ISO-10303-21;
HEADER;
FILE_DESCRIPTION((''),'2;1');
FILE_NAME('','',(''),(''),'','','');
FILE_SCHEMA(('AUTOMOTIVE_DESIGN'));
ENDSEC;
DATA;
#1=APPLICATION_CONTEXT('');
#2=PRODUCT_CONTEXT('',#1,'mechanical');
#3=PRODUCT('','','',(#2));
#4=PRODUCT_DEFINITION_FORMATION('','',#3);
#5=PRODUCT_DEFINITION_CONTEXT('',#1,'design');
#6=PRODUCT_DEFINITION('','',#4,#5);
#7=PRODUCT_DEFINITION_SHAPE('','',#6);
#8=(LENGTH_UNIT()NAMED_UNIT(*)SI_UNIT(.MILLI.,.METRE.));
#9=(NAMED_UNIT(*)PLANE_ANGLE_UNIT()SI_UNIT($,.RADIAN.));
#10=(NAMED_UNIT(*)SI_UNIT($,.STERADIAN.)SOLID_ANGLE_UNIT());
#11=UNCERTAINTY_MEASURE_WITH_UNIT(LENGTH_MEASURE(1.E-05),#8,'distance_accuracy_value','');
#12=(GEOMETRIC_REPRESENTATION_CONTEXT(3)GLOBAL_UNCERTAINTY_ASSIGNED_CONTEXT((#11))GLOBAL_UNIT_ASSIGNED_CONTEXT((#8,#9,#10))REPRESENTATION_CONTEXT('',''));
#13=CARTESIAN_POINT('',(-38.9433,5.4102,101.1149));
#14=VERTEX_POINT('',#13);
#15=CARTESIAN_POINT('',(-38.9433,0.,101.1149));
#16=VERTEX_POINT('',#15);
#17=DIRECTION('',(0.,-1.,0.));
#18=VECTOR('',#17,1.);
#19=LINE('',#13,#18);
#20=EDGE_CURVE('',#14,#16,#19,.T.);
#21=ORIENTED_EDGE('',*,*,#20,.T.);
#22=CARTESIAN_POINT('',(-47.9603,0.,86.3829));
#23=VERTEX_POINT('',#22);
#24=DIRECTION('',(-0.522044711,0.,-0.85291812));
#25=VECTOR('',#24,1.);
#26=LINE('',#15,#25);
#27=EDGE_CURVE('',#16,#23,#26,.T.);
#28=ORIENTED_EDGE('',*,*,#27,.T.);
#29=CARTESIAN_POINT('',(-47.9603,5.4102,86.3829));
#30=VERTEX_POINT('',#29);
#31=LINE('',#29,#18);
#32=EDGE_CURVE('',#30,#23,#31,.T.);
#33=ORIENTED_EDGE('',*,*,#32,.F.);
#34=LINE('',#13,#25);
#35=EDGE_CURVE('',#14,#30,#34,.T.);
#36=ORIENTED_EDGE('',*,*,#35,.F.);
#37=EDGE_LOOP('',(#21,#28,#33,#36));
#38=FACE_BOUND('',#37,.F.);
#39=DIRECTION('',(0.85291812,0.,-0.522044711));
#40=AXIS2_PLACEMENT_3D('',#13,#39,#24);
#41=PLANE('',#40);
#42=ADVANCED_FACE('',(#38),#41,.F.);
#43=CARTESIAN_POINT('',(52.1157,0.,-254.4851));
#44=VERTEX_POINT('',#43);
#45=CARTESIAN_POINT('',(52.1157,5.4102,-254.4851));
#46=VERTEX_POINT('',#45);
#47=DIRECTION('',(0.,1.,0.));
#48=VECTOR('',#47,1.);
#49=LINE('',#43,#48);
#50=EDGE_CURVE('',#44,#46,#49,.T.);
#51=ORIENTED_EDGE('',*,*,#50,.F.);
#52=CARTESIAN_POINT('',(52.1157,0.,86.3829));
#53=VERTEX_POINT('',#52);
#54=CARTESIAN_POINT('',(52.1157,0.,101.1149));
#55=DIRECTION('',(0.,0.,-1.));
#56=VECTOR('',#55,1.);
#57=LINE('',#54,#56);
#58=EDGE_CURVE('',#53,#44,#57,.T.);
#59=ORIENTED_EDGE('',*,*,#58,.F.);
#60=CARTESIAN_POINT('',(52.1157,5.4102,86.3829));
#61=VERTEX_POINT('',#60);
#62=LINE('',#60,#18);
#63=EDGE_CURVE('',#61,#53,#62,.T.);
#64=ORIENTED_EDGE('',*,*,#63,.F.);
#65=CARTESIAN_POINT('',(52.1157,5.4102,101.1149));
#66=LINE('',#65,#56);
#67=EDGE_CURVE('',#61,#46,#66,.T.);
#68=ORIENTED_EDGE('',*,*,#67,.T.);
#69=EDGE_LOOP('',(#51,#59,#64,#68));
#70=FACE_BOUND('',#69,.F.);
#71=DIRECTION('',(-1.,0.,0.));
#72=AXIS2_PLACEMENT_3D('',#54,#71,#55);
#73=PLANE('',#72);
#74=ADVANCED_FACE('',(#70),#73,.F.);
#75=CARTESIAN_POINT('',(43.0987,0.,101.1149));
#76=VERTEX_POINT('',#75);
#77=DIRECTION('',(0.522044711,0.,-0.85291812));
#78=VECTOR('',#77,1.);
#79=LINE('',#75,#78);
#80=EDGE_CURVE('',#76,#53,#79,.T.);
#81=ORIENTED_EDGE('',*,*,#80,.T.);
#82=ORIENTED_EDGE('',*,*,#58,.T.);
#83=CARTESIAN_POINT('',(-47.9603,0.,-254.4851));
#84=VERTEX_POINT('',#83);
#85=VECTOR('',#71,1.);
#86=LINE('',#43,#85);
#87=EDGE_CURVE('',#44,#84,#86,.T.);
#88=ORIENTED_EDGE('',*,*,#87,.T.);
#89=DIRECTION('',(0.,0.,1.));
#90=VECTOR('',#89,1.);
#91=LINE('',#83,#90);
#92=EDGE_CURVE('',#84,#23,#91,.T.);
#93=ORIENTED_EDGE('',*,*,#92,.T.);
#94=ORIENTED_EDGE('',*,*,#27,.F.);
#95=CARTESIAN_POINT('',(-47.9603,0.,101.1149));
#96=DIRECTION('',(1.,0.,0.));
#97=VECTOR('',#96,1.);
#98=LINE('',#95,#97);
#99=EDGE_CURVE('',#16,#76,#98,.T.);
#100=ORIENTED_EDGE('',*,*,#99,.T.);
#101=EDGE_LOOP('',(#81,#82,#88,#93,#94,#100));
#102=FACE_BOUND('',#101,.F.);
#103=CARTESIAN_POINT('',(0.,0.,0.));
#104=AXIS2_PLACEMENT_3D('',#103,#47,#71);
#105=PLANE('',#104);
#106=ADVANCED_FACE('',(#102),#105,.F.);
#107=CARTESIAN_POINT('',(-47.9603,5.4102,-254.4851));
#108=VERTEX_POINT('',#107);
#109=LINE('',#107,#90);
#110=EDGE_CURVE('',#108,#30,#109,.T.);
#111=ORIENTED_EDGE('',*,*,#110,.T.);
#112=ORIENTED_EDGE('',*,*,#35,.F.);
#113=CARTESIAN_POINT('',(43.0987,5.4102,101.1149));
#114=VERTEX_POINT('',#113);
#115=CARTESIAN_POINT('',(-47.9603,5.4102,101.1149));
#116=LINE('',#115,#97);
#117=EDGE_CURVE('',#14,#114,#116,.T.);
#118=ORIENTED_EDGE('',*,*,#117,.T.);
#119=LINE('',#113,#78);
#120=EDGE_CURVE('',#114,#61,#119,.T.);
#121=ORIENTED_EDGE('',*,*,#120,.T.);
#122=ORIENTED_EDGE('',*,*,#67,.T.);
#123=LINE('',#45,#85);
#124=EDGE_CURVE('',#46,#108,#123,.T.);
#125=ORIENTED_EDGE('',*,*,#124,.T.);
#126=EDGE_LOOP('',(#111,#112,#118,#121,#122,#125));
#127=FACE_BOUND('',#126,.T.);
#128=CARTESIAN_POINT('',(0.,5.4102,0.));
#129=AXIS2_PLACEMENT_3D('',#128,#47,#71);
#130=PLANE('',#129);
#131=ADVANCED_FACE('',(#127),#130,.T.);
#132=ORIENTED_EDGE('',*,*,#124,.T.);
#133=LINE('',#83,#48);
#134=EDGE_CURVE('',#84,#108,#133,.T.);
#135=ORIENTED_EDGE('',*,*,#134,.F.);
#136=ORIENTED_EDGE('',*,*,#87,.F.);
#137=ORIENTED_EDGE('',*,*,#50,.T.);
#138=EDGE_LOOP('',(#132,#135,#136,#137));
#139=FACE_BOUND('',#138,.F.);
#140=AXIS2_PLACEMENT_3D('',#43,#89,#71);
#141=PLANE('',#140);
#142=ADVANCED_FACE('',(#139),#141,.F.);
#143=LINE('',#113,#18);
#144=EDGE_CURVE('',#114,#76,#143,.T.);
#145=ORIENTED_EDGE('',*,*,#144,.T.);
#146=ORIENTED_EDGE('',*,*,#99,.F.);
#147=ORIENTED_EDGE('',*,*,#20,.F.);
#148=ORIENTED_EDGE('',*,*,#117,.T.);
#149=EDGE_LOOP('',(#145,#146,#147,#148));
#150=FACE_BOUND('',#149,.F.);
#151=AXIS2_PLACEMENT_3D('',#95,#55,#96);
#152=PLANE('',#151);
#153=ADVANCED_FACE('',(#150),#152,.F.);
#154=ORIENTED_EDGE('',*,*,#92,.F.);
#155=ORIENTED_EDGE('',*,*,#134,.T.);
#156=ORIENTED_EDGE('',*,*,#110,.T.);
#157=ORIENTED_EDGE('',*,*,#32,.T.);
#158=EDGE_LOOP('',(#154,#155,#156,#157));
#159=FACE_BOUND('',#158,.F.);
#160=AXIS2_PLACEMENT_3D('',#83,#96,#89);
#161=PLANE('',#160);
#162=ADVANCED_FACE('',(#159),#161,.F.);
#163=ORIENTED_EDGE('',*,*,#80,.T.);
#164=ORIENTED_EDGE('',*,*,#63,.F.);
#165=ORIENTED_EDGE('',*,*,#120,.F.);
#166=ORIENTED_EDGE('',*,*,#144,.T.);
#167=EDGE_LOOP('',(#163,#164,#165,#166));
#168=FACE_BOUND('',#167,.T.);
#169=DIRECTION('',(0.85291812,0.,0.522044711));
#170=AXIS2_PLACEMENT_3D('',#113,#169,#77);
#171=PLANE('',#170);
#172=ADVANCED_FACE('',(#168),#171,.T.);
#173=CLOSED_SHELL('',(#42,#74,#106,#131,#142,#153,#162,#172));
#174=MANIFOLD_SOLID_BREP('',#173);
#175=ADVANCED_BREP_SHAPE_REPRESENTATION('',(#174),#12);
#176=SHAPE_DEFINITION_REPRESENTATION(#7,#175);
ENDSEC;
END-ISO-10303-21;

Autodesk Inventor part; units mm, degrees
ref_plane "YZ Plane" through (0, 0, 0) normal (1, 0, 0) x (0, 1, 0)
ref_plane "XZ Plane" through (0, 0, 0) normal (0, 1, 0) x (-1, 0, 0)
ref_plane "XY Plane" through (0, 0, 0) normal (0, 0, 1) x (1, 0, 0)
sketch "Sketch1" plane through (0, 0, 0) normal (0, 1, 0) x (-1, 0, 0)
  line L0 (47.9603, 101.1149) -> (-52.1157, 101.1149)
  line L1 (-52.1157, 101.1149) -> (-52.1157, -254.4851)
  line L2 (-52.1157, -254.4851) -> (47.9603, -254.4851)
  line L3 (47.9603, -254.4851) -> (47.9603, 101.1149)
  point P0 (0, 0)
  dimension "d0" = 100.076
  dimension "d1" = 355.6
extrude "Extrusion1" add sketch "Sketch1" along normal blind 5.4102
sketch "Sketch4" plane through (0, 5.4102, 0) normal (0, 1, 0) x (1, 0, 0)
  line L0 (-47.9603, 254.4851) -> (-47.9603, -101.1149) projected
  line L1 (-47.9603, -86.3829) -> (52.1157, -86.3829)
  line L2 (52.1157, -101.1149) -> (52.1157, 254.4851) projected
  line L3 (-47.9603, -101.1149) -> (52.1157, -101.1149) projected
  line L4 (-47.9603, -101.1149) -> (-38.9433, -101.1149)
  line L5 (-38.9433, -101.1149) -> (-47.9603, -86.3829)
  line L6 (-47.9603, -86.3829) -> (-47.9603, -101.1149)
  line L7 (2.0777, -101.1149) -> (2.0777, -39.9393)
  line L8 (43.0987, -101.1149) -> (52.1157, -86.3829)
  line L9 (43.0987, -101.1149) -> (52.1157, -101.1149)
  line L10 (52.1157, -86.3829) -> (52.1157, -101.1149)
  point P0 (0, 0)
  dimension "d4" = 14.732
  dimension "d5" = 9.017
extrude "Extrusion2" cut sketch "Sketch4" against normal blind 5.4102 contours L5 L3 L0 | L2 L3 L8
properties part number "Control Board"
